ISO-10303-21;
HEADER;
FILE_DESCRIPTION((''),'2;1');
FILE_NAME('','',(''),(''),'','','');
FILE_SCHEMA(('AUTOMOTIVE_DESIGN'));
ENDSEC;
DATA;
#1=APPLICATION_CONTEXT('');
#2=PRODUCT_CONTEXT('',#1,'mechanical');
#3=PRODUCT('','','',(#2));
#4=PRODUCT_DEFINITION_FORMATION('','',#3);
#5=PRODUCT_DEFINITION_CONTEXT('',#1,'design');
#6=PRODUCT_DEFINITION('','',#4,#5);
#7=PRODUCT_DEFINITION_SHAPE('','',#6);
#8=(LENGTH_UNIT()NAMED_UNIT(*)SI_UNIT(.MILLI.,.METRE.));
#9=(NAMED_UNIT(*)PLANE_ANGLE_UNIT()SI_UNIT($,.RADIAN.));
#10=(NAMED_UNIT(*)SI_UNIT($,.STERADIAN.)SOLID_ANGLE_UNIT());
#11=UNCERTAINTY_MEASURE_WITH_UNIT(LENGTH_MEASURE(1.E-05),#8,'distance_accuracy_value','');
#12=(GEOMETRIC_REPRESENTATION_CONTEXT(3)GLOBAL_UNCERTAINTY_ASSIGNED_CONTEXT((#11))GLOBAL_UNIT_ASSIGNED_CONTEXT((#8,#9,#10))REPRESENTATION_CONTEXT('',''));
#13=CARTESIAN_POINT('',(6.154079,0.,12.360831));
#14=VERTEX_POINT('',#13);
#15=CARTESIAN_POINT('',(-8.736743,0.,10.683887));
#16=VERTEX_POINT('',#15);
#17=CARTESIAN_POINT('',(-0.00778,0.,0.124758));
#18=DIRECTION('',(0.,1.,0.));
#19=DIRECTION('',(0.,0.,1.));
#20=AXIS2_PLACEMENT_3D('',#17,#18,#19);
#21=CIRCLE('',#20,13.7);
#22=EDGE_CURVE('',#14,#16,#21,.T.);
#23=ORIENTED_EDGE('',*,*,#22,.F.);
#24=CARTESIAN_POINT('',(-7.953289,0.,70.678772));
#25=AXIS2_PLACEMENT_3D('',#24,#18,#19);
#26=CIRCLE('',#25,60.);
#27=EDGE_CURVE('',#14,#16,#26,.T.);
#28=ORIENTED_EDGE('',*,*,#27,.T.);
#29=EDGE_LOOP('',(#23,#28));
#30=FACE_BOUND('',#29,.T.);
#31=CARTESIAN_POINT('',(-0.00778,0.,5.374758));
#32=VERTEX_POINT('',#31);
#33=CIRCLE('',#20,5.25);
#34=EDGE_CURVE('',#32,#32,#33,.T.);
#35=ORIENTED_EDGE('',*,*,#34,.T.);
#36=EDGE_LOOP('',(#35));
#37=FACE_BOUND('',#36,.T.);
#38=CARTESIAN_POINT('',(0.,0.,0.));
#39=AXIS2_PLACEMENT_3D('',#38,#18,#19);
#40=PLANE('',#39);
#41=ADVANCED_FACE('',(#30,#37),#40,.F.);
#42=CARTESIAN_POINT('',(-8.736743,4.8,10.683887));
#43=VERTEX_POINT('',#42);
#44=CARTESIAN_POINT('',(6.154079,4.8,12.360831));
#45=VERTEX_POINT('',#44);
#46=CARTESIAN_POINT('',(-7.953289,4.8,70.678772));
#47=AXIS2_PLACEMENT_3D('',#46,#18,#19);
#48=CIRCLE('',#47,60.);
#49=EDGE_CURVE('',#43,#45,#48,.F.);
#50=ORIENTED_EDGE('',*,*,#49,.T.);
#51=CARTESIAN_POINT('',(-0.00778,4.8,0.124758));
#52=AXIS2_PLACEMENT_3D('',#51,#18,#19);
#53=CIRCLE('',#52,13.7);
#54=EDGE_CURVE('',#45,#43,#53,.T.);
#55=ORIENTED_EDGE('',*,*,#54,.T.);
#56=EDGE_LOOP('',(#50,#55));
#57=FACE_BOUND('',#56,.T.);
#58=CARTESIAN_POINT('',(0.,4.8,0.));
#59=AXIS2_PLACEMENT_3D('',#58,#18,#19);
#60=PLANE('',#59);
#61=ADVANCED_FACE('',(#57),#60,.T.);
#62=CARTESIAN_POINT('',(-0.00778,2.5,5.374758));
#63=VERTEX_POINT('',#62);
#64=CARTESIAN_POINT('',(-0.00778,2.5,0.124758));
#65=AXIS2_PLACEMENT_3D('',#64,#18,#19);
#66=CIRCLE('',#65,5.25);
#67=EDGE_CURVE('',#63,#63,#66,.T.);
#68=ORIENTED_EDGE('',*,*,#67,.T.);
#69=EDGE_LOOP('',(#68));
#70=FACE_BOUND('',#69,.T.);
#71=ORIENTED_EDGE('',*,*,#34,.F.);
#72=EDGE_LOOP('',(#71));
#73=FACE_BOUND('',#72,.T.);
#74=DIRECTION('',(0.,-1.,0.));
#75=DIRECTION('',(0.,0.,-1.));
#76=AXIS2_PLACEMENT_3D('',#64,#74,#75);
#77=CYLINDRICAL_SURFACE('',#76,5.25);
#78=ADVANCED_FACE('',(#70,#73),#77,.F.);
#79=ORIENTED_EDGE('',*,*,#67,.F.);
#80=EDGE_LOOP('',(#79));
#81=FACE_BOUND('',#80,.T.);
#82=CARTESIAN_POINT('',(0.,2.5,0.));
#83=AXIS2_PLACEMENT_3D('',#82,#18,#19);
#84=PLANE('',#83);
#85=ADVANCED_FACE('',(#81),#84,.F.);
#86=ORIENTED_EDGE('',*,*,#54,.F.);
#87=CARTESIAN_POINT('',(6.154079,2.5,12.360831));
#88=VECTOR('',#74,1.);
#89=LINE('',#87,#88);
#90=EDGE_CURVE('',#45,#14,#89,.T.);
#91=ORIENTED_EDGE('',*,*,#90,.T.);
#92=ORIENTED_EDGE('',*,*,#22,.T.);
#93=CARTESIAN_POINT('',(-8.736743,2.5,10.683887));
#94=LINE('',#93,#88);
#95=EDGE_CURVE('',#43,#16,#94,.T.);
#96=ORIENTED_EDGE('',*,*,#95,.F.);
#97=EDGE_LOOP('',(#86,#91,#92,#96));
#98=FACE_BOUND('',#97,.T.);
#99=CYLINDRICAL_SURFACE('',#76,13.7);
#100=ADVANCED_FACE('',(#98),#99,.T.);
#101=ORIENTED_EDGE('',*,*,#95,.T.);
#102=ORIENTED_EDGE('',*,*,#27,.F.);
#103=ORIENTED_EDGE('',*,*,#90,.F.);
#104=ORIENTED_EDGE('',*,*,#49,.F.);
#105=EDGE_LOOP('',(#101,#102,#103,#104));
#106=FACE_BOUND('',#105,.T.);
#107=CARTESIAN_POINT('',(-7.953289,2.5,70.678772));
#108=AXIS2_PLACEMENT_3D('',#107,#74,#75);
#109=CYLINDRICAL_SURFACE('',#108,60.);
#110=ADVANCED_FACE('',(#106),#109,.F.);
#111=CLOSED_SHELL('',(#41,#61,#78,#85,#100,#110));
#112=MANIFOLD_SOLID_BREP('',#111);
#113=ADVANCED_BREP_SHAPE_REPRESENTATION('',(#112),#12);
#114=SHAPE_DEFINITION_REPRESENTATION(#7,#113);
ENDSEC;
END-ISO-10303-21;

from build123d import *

# Parameters (mm, degrees)
SKETCH1_R           = 5.25
BOSS_EXTRUDE1_DEPTH = 2.5
BOSS_EXTRUDE2_DEPTH = 2.3


with BuildPart() as part:
    # Sketch1 → Boss-Extrude1 (new body)
    with BuildSketch(Plane(origin=(0, 0, 0), x_dir=(1, 0, 0), z_dir=(0, 1, 0))):
        with BuildLine():
            ThreePointArc((6.154078518, -12.360831122), (11.656426966, -7.310595529), (13.692219593, -0.124757626))
            ThreePointArc((13.692219593, -0.124757626), (-5.843155784, 12.270337945), (-8.736743065, -10.683886895))
            ThreePointArc((-8.736743065, -10.683886895), (-1.238774651, -11.05566121), (6.154078518, -12.360831122))
        make_face()
        with Locations((-0.007780407, -0.124757626)):
            Circle(SKETCH1_R, mode=Mode.SUBTRACT)
    extrude(amount=BOSS_EXTRUDE1_DEPTH)

    # Sketch2 → Boss-Extrude2 (add)
    with BuildSketch(Plane(origin=(0, 2.5, 0), x_dir=(1, 0, 0), z_dir=(0, 1, 0))):
        with BuildLine():
            ThreePointArc((6.154078518, -12.360831122), (-1.238774651, -11.05566121), (-8.736743065, -10.683886895))
            ThreePointArc((-8.736743065, -10.683886895), (1.52536697, 13.489185929), (6.154078518, -12.360831122))
        make_face()
    extrude(amount=BOSS_EXTRUDE2_DEPTH)


solid = part.part
